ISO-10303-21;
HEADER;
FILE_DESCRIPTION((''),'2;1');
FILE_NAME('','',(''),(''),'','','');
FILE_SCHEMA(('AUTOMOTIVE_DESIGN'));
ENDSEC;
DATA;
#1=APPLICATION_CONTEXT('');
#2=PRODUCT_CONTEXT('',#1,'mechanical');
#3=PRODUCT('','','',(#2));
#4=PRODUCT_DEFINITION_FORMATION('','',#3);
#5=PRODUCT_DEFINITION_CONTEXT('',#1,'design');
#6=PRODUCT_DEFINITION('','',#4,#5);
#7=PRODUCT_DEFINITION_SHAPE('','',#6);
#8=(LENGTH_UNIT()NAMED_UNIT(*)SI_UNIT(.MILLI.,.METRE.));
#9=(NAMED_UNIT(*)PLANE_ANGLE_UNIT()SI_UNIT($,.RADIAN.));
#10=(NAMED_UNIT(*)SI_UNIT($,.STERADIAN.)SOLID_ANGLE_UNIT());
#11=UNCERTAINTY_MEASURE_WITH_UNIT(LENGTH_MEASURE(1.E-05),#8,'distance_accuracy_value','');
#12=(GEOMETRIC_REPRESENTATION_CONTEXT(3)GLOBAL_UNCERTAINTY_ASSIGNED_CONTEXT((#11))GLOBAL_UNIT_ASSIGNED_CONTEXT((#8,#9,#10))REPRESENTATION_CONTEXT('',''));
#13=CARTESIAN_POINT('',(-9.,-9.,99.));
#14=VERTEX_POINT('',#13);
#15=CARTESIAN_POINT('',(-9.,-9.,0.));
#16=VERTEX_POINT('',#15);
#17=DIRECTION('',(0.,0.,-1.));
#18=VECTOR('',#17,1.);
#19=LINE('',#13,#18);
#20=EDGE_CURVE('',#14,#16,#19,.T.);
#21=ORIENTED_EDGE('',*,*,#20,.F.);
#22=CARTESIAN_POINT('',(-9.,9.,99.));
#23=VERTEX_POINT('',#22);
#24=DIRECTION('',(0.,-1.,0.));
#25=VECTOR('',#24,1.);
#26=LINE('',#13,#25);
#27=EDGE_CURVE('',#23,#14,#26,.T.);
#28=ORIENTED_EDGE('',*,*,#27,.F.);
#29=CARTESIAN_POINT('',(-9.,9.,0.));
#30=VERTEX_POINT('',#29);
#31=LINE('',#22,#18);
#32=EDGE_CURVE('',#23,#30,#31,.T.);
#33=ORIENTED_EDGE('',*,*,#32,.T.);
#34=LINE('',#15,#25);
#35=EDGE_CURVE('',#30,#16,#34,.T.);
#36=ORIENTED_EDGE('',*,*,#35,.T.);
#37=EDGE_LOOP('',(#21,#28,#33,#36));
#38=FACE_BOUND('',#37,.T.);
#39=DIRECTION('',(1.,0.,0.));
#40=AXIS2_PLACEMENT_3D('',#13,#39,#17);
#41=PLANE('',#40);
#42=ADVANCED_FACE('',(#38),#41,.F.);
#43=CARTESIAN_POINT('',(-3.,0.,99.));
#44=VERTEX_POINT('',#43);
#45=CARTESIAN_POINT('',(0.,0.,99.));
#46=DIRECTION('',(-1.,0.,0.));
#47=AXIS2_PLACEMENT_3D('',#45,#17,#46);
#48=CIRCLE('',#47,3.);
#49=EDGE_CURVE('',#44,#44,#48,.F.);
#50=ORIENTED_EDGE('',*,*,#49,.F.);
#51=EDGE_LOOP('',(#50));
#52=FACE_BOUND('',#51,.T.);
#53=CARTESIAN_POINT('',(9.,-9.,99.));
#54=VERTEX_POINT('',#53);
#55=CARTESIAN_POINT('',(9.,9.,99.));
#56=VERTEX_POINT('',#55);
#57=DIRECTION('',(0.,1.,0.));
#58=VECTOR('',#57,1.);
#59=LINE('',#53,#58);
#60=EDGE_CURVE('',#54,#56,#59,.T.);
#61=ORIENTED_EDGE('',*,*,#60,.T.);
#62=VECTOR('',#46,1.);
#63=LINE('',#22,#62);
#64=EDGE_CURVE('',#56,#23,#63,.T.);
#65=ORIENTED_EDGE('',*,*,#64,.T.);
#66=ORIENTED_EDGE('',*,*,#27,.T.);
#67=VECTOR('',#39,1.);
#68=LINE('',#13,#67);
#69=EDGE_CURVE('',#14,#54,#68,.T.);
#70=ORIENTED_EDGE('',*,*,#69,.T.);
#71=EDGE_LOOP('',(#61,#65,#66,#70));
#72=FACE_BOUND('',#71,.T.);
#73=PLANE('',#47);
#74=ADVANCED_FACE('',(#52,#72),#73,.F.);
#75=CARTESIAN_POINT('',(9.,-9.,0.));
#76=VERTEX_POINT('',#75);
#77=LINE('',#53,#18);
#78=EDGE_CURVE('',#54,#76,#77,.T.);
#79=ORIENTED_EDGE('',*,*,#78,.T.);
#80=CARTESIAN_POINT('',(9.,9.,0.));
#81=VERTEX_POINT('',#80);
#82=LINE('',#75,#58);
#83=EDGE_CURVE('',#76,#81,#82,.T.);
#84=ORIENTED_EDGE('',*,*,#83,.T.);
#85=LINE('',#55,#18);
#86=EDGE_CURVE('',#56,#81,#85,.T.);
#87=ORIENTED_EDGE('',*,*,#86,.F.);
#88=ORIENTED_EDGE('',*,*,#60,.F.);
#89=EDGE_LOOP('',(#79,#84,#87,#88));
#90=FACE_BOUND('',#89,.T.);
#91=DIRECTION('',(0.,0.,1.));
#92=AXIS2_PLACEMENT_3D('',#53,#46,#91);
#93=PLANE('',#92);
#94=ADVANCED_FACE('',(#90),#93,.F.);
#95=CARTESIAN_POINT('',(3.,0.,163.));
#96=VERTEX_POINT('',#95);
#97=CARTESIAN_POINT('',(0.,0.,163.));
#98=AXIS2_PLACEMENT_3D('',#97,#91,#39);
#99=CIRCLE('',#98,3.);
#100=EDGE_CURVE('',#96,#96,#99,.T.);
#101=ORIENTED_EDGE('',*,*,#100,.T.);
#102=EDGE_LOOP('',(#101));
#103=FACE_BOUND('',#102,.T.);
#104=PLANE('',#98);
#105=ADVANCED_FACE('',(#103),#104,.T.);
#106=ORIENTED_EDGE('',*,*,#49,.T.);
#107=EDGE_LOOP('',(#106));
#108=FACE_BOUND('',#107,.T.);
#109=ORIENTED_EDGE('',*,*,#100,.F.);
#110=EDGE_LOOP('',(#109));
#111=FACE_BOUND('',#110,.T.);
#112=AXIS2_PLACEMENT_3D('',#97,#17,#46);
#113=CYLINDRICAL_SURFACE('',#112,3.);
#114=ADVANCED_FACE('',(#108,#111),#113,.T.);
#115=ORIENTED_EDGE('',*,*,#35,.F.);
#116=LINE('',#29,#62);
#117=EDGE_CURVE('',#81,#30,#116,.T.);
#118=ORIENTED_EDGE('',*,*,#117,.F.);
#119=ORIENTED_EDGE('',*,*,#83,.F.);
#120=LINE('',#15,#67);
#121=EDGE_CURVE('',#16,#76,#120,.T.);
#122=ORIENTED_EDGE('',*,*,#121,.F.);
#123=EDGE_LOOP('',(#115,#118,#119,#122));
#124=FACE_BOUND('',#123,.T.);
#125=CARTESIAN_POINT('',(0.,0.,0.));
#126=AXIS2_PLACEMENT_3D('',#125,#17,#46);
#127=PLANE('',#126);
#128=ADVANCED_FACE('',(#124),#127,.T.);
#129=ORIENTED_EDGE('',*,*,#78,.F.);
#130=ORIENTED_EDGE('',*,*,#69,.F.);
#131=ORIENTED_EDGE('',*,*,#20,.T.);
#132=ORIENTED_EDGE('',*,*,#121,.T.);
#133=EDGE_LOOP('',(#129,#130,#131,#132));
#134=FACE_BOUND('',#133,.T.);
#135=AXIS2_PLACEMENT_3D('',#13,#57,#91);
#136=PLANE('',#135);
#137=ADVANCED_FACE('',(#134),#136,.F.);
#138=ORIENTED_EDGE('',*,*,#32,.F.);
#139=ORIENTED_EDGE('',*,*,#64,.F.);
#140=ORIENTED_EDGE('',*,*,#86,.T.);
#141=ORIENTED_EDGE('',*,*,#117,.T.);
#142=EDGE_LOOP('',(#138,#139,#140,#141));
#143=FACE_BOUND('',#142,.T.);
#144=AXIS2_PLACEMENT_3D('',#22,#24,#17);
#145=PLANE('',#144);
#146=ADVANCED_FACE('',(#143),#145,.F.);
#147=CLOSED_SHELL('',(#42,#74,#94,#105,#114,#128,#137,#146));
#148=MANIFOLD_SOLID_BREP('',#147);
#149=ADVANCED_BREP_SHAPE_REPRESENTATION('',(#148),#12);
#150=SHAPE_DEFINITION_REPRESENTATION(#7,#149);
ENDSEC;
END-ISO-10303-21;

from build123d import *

# Parameters (mm, degrees)
SKETCH_1_W      = 18
SKETCH_1_H      = 18
EXTRUDE_1_DEPTH = 99
SKETCH_2_R      = 3
EXTRUDE_2_DEPTH = 64


with BuildPart() as part:
    # 草图1 → 凸台-拉伸1 (new body)
    with BuildSketch(Plane.XY):
        Rectangle(SKETCH_1_W, SKETCH_1_H)
    extrude(amount=EXTRUDE_1_DEPTH)

    # 草图2 → 凸台-拉伸2 (add)
    with BuildSketch(Plane.XY.offset(99)):
        with Locations(Location((0, 0, 0), (0, 0, 180))):
            Circle(SKETCH_2_R)
    extrude(amount=EXTRUDE_2_DEPTH)


solid = part.part
